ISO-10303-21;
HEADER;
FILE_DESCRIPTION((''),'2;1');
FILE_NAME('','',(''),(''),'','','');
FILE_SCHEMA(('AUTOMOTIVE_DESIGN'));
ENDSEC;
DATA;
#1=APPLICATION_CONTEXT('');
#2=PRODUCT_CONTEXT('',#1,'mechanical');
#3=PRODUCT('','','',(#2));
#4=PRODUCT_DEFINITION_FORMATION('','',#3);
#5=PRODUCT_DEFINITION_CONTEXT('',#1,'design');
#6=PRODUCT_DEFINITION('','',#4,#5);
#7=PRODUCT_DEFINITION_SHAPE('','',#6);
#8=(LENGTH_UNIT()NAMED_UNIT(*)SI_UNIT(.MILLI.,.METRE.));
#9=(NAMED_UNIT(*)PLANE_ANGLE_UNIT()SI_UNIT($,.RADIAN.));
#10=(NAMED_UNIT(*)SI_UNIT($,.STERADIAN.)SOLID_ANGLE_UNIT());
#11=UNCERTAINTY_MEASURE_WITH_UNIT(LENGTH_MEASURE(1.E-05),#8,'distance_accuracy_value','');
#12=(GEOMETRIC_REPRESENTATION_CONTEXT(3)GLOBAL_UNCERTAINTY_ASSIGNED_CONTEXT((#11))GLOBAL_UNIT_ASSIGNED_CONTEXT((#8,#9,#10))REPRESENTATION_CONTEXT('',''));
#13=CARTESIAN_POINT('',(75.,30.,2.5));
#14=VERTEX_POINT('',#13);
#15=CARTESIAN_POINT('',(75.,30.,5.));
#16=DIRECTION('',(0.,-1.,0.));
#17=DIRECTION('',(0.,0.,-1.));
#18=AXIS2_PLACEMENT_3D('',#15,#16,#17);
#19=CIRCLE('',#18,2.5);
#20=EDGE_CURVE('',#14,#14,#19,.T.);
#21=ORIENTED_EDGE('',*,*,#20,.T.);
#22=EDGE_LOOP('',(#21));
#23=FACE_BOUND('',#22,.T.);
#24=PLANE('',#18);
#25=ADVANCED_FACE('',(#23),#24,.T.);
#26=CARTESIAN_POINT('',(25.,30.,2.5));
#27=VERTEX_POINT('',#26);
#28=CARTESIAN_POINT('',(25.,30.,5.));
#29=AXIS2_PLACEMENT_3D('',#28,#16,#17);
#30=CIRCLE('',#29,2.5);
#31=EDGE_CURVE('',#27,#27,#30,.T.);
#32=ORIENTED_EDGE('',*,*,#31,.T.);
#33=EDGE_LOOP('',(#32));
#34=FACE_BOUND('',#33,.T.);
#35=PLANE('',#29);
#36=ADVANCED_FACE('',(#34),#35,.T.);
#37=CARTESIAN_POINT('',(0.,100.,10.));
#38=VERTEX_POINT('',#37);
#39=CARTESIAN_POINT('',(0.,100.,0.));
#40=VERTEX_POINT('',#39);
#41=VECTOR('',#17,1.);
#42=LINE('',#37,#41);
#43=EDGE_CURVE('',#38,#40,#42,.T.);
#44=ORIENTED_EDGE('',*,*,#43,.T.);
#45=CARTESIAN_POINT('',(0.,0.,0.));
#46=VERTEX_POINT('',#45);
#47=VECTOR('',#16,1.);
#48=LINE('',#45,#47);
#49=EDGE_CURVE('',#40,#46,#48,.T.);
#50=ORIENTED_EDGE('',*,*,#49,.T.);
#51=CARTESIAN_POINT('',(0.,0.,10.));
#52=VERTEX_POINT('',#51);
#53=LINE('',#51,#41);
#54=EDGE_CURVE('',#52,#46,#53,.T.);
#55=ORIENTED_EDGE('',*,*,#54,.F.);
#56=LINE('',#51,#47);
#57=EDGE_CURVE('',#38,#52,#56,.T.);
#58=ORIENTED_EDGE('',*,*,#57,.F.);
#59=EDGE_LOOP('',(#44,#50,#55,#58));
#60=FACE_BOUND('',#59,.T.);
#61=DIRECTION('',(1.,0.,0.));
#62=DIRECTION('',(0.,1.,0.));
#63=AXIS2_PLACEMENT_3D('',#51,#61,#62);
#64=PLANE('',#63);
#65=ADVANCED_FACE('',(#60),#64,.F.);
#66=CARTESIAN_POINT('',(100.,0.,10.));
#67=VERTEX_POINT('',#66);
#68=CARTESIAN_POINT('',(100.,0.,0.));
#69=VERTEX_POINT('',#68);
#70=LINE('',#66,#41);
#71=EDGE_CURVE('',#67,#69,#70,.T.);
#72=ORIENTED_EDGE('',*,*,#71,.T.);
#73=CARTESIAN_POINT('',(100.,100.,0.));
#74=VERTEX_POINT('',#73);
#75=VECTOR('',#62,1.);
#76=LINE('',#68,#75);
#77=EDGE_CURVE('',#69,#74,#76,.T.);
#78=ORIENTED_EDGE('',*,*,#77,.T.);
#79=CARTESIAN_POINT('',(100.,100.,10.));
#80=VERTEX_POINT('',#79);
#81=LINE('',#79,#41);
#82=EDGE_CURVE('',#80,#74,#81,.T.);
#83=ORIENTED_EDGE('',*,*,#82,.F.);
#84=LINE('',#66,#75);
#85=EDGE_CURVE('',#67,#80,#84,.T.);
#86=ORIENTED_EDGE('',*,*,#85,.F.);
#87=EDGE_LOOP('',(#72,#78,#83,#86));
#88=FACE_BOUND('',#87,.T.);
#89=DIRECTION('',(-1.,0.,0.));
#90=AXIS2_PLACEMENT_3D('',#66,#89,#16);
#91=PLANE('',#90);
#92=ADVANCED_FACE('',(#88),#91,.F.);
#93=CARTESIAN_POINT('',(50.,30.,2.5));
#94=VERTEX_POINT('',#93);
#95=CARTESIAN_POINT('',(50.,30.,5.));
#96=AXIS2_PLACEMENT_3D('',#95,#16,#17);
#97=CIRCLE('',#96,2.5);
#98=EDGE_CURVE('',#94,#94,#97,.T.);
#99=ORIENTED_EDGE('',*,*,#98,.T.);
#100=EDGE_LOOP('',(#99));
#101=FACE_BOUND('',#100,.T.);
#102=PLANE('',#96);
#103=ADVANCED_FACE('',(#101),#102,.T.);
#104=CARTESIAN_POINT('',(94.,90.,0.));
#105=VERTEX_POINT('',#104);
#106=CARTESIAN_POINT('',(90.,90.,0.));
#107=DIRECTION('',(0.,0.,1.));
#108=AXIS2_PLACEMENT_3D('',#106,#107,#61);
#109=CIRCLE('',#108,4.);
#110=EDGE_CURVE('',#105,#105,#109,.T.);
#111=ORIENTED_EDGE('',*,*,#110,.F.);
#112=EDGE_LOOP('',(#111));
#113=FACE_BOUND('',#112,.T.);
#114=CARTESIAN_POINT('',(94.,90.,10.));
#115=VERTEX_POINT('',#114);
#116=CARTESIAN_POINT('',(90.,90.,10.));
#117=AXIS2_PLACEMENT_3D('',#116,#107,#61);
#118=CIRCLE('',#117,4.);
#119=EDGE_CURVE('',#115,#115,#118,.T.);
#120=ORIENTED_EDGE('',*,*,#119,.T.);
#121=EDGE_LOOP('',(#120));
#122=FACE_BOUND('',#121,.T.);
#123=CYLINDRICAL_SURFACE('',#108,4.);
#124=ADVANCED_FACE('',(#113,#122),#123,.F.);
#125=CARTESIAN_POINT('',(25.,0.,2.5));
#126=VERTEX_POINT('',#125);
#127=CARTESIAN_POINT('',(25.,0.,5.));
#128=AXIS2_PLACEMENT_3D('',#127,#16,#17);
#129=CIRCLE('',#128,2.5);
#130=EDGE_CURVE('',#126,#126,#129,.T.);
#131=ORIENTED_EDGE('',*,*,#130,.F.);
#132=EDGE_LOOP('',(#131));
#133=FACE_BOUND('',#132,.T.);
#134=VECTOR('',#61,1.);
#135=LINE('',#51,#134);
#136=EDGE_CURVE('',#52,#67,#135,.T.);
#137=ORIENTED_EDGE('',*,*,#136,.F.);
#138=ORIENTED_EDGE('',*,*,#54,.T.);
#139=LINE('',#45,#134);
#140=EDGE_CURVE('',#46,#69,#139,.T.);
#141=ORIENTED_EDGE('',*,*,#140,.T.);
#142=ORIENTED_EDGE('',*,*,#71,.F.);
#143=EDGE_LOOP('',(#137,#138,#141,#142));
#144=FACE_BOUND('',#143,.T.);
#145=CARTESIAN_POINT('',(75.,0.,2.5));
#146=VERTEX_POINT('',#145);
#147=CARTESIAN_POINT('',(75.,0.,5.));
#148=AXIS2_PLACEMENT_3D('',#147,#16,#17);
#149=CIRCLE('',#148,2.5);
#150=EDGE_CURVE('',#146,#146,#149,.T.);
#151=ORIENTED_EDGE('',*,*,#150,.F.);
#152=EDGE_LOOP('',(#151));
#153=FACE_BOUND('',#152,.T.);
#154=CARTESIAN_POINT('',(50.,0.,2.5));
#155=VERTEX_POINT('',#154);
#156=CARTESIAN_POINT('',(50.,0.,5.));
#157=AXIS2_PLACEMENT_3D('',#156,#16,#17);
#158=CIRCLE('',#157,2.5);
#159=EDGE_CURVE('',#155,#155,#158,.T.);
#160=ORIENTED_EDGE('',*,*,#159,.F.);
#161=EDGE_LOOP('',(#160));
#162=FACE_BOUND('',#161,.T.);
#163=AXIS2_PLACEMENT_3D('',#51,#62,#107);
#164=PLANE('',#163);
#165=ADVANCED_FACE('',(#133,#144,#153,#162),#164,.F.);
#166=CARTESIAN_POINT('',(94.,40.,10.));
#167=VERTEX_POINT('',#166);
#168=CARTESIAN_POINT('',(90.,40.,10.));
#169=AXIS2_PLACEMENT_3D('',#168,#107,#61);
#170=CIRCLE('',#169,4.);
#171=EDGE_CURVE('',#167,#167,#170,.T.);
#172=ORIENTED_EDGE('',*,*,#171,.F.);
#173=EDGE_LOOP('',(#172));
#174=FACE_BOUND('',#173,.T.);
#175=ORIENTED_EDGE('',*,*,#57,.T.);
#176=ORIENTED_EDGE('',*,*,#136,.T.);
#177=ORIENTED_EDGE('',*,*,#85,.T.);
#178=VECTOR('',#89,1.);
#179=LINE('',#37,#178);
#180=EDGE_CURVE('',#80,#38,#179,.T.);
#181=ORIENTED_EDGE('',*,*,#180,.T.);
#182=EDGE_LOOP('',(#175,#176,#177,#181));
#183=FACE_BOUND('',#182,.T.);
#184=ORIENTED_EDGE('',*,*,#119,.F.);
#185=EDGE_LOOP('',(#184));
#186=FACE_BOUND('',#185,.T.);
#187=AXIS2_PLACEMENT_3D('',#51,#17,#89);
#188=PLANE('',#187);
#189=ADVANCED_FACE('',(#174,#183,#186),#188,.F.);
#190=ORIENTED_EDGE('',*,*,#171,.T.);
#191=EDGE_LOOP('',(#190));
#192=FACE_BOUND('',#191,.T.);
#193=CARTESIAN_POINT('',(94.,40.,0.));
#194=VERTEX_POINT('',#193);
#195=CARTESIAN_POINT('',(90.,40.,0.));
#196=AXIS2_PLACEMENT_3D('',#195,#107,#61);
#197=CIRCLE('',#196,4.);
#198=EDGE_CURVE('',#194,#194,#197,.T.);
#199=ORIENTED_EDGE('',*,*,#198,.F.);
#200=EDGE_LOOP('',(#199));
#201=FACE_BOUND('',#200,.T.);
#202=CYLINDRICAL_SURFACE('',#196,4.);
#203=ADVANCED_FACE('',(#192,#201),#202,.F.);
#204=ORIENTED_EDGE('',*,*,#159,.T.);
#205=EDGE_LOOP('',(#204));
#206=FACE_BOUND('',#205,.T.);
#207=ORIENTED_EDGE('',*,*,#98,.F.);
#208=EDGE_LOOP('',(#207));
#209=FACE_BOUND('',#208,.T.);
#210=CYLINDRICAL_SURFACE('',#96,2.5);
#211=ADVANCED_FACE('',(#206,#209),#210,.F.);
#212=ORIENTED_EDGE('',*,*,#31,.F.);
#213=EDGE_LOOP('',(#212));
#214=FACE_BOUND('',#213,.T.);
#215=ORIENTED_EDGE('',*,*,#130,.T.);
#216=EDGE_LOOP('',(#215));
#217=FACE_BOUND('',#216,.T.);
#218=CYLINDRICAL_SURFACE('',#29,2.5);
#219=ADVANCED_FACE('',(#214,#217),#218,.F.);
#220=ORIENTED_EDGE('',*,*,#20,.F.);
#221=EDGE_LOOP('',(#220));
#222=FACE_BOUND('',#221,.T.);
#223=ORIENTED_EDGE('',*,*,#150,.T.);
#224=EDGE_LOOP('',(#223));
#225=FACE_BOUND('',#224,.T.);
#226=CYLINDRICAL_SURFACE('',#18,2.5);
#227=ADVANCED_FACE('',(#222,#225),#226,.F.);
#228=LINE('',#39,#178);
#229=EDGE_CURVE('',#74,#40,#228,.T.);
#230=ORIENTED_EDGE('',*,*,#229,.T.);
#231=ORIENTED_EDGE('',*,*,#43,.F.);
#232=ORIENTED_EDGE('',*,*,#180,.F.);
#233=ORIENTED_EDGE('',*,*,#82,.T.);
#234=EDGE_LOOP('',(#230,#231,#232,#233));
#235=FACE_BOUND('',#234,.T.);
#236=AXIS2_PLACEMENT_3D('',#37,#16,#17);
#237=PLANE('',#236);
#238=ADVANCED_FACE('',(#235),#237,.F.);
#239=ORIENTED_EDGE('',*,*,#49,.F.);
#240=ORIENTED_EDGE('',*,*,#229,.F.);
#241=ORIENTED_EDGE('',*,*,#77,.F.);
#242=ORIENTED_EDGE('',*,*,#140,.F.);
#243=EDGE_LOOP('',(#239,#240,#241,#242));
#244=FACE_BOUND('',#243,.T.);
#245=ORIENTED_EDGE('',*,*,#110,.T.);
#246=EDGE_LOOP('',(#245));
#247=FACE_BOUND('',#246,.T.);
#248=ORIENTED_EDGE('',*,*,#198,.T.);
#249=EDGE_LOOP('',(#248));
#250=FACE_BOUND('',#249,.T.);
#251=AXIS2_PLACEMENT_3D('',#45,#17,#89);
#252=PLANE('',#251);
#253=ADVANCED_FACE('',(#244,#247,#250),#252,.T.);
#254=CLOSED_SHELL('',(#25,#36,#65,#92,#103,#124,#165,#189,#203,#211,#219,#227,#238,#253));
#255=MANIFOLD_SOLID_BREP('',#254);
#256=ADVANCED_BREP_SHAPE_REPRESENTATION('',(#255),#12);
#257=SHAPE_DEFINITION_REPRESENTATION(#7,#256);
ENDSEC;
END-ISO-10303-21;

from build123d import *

# Parameters (mm, degrees)
SKETCH1_W           = 100
SKETCH1_H           = 100
BOSS_EXTRUDE1_DEPTH = 10
SKETCH2_R           = 2.5
CUT_EXTRUDE1_DEPTH  = 30
SKETCH3_R           = 4
CUT_EXTRUDE2_DEPTH  = 10


with BuildPart() as part:
    # Sketch1 → Boss-Extrude1 (new body)
    with BuildSketch(Plane.XY):
        with Locations((50, 50)):
            Rectangle(SKETCH1_W, SKETCH1_H)
    extrude(amount=BOSS_EXTRUDE1_DEPTH)

    # Sketch2 → Cut-Extrude1 (cut)
    with BuildSketch(Plane.XZ):
        with Locations(Location((25, 5, 0), (0, 0, 270))):
            Circle(SKETCH2_R)
        with Locations(Location((50, 5, 0), (0, 0, 270))):
            Circle(SKETCH2_R)
        with Locations(Location((75, 5, 0), (0, 0, 270))):
            Circle(SKETCH2_R)
    extrude(amount=-CUT_EXTRUDE1_DEPTH, mode=Mode.SUBTRACT)

    # Sketch3 → Cut-Extrude2 (cut)
    with BuildSketch(Plane.XY.offset(10)):
        with Locations((90, 90)):
            Circle(SKETCH3_R)
        with Locations((90, 40)):
            Circle(SKETCH3_R)
    extrude(amount=-CUT_EXTRUDE2_DEPTH, mode=Mode.SUBTRACT)


solid = part.part
